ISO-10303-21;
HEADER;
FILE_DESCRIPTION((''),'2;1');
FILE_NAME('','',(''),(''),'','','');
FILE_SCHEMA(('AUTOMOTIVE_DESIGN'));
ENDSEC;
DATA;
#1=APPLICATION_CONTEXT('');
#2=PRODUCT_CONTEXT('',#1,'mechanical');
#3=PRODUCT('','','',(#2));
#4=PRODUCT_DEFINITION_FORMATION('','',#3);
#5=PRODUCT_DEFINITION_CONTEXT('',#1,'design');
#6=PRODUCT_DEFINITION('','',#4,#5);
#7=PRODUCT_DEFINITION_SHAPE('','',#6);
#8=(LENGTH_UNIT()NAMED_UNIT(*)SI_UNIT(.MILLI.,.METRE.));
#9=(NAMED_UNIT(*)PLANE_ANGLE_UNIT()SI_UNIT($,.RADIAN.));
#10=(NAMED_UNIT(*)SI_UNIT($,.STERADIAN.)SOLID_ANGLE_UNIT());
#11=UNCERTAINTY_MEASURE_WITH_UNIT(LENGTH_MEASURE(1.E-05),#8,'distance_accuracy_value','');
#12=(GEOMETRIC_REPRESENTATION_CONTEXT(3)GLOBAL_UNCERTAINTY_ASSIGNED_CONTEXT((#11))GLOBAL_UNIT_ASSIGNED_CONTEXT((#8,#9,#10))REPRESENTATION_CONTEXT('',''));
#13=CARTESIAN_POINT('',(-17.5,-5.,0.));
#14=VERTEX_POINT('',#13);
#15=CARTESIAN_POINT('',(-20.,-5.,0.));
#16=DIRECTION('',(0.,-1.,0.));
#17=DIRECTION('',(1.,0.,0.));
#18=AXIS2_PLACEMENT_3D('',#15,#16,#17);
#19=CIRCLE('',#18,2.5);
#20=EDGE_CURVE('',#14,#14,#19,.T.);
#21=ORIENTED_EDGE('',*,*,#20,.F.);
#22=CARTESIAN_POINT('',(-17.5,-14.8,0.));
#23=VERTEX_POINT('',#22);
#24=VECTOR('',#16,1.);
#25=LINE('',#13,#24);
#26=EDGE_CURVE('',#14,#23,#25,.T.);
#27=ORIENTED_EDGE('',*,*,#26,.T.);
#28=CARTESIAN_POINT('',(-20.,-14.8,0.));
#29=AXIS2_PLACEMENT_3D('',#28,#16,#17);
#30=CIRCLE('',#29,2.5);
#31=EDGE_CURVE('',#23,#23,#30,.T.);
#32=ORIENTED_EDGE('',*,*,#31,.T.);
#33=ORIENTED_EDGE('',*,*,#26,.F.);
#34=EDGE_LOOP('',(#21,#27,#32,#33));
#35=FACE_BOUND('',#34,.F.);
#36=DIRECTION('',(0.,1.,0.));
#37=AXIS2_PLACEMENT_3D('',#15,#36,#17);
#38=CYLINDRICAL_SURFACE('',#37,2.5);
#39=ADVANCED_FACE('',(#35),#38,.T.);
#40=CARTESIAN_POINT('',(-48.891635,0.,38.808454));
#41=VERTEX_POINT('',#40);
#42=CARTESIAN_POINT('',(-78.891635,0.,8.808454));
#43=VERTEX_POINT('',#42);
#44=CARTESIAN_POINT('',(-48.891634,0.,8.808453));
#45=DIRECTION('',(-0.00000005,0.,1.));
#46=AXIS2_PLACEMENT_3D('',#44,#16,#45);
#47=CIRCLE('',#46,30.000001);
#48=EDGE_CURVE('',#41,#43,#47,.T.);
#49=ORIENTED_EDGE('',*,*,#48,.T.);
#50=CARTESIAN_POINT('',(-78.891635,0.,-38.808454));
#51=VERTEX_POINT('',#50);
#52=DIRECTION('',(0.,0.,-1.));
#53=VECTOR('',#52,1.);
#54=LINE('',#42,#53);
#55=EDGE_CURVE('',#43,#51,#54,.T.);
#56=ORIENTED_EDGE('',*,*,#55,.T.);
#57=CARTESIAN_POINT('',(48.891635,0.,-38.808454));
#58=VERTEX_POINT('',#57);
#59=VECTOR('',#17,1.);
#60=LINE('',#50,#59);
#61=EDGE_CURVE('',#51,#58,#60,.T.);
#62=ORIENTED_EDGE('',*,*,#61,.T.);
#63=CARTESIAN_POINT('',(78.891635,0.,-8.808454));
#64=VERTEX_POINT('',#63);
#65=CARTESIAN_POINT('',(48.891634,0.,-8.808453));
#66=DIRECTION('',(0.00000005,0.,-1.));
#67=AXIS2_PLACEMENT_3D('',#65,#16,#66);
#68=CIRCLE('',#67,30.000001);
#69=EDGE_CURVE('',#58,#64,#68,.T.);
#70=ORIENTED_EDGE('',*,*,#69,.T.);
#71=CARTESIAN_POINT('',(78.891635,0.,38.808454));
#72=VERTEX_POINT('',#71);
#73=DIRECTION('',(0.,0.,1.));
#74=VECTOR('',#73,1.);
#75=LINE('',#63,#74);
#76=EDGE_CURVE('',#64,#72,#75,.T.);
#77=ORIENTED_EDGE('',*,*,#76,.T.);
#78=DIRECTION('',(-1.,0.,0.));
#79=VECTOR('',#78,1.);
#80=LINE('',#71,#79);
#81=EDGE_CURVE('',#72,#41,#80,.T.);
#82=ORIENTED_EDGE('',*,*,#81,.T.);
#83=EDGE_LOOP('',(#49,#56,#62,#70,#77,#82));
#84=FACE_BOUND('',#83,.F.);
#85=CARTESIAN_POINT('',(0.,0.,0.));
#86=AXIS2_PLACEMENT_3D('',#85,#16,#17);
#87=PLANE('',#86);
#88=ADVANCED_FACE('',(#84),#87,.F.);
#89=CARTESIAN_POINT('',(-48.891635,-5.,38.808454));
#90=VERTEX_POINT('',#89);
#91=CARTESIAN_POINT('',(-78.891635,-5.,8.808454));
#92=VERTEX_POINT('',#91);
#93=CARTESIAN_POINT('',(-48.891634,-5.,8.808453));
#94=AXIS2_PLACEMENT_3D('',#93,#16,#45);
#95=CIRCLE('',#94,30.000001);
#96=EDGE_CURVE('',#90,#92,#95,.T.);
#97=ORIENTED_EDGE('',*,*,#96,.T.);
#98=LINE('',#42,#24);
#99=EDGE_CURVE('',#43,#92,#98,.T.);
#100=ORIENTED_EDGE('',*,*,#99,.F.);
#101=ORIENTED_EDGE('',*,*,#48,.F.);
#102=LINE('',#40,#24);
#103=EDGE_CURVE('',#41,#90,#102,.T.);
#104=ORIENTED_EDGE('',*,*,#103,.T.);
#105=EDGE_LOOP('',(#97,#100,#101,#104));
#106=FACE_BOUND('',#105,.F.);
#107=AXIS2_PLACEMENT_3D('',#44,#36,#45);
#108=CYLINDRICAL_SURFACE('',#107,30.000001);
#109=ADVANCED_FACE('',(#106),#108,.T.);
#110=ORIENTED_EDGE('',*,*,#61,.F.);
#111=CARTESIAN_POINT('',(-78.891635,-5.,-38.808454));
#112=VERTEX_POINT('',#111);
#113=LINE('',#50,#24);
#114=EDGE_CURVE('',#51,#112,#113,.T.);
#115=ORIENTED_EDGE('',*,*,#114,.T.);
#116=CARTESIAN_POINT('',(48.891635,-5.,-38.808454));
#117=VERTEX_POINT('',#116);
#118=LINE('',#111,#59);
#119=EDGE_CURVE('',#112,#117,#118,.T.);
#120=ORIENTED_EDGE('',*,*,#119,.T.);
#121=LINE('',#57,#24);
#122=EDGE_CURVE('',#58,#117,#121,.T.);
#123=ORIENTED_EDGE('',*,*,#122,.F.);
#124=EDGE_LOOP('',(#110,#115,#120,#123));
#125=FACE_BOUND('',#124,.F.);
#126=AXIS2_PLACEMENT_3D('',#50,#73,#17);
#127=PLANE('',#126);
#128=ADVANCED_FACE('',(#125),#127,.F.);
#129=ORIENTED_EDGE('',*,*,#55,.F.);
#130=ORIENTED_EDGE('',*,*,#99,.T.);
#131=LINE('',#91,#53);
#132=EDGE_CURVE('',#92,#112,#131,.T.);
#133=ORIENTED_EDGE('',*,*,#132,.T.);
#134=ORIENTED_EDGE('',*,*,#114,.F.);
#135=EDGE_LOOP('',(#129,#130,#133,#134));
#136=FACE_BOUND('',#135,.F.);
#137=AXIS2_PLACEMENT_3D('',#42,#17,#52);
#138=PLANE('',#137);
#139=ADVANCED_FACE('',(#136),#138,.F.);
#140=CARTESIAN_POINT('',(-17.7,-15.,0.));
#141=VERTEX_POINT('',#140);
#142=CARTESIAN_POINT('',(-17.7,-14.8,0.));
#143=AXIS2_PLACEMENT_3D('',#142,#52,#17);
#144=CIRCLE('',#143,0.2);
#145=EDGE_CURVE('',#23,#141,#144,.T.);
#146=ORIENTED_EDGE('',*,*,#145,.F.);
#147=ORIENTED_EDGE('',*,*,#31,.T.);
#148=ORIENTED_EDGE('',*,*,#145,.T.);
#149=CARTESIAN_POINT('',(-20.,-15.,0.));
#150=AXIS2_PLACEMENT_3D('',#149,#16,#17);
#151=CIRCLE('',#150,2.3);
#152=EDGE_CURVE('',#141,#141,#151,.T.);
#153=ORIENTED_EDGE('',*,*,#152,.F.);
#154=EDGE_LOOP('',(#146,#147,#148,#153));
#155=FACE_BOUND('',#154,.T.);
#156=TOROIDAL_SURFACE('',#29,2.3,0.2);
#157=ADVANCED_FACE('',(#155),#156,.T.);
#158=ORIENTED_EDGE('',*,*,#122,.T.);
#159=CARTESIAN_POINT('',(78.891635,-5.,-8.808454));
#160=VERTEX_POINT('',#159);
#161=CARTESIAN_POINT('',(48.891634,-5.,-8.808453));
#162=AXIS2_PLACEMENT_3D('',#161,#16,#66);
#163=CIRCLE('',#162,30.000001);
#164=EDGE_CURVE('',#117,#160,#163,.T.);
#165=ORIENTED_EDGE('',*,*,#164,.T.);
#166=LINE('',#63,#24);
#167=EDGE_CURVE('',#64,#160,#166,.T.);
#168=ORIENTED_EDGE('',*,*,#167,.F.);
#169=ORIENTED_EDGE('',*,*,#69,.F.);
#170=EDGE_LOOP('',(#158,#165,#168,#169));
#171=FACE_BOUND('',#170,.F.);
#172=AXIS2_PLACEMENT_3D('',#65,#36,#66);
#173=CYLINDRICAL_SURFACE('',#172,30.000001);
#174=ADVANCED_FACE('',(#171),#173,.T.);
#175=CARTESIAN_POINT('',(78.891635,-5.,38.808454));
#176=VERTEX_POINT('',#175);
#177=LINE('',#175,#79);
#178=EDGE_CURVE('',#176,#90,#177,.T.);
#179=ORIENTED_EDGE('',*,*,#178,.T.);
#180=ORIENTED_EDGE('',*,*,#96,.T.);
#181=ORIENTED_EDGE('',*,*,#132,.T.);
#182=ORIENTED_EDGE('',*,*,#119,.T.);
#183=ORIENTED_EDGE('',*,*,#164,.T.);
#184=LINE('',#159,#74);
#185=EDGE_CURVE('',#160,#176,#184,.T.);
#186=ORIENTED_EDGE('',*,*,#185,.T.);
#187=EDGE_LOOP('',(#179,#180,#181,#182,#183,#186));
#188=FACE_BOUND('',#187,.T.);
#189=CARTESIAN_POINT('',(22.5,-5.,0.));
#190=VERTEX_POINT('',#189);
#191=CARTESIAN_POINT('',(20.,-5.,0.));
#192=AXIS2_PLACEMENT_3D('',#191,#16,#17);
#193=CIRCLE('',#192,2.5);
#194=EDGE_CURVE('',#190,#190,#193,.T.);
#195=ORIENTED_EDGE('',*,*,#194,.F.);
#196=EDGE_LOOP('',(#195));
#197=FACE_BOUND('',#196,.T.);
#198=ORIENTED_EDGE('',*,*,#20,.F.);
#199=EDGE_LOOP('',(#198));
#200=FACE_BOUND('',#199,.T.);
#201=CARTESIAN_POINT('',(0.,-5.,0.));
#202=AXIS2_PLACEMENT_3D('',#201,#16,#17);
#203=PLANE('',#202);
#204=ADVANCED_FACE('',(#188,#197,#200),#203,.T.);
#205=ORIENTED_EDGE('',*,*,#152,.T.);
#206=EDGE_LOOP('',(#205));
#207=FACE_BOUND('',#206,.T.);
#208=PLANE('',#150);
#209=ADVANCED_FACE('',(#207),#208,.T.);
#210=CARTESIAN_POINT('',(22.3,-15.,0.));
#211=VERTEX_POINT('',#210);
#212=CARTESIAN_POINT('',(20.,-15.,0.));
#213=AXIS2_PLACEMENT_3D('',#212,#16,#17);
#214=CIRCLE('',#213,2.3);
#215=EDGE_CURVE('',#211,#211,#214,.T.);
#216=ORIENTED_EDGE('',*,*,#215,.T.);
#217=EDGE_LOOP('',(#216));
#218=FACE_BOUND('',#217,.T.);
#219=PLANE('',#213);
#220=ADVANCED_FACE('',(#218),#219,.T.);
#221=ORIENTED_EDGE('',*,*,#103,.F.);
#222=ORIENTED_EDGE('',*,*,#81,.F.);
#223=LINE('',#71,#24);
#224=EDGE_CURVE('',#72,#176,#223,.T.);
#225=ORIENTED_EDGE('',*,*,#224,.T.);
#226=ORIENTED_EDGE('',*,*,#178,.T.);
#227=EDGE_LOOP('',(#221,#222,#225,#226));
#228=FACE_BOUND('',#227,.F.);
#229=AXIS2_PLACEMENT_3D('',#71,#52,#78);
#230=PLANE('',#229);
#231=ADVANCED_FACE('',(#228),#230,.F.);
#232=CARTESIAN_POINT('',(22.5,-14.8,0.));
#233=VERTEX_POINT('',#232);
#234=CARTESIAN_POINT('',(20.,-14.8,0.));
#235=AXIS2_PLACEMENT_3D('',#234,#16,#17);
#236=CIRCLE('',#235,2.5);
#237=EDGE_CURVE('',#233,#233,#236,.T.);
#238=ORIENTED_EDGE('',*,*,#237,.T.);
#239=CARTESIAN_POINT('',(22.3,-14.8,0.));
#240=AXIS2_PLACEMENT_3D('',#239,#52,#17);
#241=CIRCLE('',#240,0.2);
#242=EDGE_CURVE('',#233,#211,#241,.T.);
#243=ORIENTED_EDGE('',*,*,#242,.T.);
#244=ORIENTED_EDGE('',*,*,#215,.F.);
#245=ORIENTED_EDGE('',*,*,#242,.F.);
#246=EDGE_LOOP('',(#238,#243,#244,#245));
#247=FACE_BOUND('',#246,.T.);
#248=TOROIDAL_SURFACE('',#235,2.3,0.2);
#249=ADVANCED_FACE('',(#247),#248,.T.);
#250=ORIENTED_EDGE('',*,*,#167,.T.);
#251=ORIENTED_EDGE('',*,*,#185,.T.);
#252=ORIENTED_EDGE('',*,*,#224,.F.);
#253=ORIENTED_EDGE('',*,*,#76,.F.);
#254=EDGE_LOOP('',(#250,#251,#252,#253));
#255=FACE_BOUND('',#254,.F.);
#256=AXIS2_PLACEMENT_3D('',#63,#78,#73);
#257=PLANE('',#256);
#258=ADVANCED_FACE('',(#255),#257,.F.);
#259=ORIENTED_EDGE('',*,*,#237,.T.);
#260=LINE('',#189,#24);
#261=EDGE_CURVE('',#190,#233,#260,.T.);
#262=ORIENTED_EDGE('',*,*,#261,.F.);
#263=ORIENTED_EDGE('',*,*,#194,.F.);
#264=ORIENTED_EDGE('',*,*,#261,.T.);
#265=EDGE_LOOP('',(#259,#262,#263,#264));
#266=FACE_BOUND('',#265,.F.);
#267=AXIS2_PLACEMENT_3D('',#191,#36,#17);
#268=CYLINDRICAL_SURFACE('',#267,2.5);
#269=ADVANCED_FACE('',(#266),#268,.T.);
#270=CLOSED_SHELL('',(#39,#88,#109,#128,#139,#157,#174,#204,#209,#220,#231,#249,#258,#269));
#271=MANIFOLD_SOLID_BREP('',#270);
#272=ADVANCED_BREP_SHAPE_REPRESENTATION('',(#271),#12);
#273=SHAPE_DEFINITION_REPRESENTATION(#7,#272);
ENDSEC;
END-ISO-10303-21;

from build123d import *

# Parameters (mm, degrees)
F1_DEPTH = 5
F2_R     = 2.5
F3_DEPTH = 10
F4_R     = 0.2


with BuildPart() as f1:
    # F0 (on Front) → F1 (new body)
    with BuildSketch(Plane.XZ):
        with BuildLine():
            Line((78.891635, -8.808454), (78.891635, 38.808454))
            Line((78.891635, 38.808454), (-48.891635, 38.808454))
            ThreePointArc((-48.891635, 38.808454), (-70.104838, 30.021657), (-78.891635, 8.808454))
            Line((-78.891635, 8.808454), (-78.891635, -38.808454))
            Line((-78.891635, -38.808454), (48.891635, -38.808454))
            ThreePointArc((48.891635, -38.808454), (70.104838, -30.021657), (78.891635, -8.808454))
        make_face()
    extrude(amount=F1_DEPTH)

    # F2 (on face) → F3 (join)
    with BuildSketch(Plane.XZ.offset(5)):
        with Locations((-20, 0)):
            Circle(F2_R)
        with Locations((20, 0)):
            Circle(F2_R)
    extrude(amount=F3_DEPTH)

    # F4
    f4_edges = [f1.edges().sort_by_distance(p)[0] for p in [
        (-22.5, -15, 0),
        (17.5, -15, 0),
    ]]
    fillet(f4_edges, radius=F4_R)


solid = f1.part
